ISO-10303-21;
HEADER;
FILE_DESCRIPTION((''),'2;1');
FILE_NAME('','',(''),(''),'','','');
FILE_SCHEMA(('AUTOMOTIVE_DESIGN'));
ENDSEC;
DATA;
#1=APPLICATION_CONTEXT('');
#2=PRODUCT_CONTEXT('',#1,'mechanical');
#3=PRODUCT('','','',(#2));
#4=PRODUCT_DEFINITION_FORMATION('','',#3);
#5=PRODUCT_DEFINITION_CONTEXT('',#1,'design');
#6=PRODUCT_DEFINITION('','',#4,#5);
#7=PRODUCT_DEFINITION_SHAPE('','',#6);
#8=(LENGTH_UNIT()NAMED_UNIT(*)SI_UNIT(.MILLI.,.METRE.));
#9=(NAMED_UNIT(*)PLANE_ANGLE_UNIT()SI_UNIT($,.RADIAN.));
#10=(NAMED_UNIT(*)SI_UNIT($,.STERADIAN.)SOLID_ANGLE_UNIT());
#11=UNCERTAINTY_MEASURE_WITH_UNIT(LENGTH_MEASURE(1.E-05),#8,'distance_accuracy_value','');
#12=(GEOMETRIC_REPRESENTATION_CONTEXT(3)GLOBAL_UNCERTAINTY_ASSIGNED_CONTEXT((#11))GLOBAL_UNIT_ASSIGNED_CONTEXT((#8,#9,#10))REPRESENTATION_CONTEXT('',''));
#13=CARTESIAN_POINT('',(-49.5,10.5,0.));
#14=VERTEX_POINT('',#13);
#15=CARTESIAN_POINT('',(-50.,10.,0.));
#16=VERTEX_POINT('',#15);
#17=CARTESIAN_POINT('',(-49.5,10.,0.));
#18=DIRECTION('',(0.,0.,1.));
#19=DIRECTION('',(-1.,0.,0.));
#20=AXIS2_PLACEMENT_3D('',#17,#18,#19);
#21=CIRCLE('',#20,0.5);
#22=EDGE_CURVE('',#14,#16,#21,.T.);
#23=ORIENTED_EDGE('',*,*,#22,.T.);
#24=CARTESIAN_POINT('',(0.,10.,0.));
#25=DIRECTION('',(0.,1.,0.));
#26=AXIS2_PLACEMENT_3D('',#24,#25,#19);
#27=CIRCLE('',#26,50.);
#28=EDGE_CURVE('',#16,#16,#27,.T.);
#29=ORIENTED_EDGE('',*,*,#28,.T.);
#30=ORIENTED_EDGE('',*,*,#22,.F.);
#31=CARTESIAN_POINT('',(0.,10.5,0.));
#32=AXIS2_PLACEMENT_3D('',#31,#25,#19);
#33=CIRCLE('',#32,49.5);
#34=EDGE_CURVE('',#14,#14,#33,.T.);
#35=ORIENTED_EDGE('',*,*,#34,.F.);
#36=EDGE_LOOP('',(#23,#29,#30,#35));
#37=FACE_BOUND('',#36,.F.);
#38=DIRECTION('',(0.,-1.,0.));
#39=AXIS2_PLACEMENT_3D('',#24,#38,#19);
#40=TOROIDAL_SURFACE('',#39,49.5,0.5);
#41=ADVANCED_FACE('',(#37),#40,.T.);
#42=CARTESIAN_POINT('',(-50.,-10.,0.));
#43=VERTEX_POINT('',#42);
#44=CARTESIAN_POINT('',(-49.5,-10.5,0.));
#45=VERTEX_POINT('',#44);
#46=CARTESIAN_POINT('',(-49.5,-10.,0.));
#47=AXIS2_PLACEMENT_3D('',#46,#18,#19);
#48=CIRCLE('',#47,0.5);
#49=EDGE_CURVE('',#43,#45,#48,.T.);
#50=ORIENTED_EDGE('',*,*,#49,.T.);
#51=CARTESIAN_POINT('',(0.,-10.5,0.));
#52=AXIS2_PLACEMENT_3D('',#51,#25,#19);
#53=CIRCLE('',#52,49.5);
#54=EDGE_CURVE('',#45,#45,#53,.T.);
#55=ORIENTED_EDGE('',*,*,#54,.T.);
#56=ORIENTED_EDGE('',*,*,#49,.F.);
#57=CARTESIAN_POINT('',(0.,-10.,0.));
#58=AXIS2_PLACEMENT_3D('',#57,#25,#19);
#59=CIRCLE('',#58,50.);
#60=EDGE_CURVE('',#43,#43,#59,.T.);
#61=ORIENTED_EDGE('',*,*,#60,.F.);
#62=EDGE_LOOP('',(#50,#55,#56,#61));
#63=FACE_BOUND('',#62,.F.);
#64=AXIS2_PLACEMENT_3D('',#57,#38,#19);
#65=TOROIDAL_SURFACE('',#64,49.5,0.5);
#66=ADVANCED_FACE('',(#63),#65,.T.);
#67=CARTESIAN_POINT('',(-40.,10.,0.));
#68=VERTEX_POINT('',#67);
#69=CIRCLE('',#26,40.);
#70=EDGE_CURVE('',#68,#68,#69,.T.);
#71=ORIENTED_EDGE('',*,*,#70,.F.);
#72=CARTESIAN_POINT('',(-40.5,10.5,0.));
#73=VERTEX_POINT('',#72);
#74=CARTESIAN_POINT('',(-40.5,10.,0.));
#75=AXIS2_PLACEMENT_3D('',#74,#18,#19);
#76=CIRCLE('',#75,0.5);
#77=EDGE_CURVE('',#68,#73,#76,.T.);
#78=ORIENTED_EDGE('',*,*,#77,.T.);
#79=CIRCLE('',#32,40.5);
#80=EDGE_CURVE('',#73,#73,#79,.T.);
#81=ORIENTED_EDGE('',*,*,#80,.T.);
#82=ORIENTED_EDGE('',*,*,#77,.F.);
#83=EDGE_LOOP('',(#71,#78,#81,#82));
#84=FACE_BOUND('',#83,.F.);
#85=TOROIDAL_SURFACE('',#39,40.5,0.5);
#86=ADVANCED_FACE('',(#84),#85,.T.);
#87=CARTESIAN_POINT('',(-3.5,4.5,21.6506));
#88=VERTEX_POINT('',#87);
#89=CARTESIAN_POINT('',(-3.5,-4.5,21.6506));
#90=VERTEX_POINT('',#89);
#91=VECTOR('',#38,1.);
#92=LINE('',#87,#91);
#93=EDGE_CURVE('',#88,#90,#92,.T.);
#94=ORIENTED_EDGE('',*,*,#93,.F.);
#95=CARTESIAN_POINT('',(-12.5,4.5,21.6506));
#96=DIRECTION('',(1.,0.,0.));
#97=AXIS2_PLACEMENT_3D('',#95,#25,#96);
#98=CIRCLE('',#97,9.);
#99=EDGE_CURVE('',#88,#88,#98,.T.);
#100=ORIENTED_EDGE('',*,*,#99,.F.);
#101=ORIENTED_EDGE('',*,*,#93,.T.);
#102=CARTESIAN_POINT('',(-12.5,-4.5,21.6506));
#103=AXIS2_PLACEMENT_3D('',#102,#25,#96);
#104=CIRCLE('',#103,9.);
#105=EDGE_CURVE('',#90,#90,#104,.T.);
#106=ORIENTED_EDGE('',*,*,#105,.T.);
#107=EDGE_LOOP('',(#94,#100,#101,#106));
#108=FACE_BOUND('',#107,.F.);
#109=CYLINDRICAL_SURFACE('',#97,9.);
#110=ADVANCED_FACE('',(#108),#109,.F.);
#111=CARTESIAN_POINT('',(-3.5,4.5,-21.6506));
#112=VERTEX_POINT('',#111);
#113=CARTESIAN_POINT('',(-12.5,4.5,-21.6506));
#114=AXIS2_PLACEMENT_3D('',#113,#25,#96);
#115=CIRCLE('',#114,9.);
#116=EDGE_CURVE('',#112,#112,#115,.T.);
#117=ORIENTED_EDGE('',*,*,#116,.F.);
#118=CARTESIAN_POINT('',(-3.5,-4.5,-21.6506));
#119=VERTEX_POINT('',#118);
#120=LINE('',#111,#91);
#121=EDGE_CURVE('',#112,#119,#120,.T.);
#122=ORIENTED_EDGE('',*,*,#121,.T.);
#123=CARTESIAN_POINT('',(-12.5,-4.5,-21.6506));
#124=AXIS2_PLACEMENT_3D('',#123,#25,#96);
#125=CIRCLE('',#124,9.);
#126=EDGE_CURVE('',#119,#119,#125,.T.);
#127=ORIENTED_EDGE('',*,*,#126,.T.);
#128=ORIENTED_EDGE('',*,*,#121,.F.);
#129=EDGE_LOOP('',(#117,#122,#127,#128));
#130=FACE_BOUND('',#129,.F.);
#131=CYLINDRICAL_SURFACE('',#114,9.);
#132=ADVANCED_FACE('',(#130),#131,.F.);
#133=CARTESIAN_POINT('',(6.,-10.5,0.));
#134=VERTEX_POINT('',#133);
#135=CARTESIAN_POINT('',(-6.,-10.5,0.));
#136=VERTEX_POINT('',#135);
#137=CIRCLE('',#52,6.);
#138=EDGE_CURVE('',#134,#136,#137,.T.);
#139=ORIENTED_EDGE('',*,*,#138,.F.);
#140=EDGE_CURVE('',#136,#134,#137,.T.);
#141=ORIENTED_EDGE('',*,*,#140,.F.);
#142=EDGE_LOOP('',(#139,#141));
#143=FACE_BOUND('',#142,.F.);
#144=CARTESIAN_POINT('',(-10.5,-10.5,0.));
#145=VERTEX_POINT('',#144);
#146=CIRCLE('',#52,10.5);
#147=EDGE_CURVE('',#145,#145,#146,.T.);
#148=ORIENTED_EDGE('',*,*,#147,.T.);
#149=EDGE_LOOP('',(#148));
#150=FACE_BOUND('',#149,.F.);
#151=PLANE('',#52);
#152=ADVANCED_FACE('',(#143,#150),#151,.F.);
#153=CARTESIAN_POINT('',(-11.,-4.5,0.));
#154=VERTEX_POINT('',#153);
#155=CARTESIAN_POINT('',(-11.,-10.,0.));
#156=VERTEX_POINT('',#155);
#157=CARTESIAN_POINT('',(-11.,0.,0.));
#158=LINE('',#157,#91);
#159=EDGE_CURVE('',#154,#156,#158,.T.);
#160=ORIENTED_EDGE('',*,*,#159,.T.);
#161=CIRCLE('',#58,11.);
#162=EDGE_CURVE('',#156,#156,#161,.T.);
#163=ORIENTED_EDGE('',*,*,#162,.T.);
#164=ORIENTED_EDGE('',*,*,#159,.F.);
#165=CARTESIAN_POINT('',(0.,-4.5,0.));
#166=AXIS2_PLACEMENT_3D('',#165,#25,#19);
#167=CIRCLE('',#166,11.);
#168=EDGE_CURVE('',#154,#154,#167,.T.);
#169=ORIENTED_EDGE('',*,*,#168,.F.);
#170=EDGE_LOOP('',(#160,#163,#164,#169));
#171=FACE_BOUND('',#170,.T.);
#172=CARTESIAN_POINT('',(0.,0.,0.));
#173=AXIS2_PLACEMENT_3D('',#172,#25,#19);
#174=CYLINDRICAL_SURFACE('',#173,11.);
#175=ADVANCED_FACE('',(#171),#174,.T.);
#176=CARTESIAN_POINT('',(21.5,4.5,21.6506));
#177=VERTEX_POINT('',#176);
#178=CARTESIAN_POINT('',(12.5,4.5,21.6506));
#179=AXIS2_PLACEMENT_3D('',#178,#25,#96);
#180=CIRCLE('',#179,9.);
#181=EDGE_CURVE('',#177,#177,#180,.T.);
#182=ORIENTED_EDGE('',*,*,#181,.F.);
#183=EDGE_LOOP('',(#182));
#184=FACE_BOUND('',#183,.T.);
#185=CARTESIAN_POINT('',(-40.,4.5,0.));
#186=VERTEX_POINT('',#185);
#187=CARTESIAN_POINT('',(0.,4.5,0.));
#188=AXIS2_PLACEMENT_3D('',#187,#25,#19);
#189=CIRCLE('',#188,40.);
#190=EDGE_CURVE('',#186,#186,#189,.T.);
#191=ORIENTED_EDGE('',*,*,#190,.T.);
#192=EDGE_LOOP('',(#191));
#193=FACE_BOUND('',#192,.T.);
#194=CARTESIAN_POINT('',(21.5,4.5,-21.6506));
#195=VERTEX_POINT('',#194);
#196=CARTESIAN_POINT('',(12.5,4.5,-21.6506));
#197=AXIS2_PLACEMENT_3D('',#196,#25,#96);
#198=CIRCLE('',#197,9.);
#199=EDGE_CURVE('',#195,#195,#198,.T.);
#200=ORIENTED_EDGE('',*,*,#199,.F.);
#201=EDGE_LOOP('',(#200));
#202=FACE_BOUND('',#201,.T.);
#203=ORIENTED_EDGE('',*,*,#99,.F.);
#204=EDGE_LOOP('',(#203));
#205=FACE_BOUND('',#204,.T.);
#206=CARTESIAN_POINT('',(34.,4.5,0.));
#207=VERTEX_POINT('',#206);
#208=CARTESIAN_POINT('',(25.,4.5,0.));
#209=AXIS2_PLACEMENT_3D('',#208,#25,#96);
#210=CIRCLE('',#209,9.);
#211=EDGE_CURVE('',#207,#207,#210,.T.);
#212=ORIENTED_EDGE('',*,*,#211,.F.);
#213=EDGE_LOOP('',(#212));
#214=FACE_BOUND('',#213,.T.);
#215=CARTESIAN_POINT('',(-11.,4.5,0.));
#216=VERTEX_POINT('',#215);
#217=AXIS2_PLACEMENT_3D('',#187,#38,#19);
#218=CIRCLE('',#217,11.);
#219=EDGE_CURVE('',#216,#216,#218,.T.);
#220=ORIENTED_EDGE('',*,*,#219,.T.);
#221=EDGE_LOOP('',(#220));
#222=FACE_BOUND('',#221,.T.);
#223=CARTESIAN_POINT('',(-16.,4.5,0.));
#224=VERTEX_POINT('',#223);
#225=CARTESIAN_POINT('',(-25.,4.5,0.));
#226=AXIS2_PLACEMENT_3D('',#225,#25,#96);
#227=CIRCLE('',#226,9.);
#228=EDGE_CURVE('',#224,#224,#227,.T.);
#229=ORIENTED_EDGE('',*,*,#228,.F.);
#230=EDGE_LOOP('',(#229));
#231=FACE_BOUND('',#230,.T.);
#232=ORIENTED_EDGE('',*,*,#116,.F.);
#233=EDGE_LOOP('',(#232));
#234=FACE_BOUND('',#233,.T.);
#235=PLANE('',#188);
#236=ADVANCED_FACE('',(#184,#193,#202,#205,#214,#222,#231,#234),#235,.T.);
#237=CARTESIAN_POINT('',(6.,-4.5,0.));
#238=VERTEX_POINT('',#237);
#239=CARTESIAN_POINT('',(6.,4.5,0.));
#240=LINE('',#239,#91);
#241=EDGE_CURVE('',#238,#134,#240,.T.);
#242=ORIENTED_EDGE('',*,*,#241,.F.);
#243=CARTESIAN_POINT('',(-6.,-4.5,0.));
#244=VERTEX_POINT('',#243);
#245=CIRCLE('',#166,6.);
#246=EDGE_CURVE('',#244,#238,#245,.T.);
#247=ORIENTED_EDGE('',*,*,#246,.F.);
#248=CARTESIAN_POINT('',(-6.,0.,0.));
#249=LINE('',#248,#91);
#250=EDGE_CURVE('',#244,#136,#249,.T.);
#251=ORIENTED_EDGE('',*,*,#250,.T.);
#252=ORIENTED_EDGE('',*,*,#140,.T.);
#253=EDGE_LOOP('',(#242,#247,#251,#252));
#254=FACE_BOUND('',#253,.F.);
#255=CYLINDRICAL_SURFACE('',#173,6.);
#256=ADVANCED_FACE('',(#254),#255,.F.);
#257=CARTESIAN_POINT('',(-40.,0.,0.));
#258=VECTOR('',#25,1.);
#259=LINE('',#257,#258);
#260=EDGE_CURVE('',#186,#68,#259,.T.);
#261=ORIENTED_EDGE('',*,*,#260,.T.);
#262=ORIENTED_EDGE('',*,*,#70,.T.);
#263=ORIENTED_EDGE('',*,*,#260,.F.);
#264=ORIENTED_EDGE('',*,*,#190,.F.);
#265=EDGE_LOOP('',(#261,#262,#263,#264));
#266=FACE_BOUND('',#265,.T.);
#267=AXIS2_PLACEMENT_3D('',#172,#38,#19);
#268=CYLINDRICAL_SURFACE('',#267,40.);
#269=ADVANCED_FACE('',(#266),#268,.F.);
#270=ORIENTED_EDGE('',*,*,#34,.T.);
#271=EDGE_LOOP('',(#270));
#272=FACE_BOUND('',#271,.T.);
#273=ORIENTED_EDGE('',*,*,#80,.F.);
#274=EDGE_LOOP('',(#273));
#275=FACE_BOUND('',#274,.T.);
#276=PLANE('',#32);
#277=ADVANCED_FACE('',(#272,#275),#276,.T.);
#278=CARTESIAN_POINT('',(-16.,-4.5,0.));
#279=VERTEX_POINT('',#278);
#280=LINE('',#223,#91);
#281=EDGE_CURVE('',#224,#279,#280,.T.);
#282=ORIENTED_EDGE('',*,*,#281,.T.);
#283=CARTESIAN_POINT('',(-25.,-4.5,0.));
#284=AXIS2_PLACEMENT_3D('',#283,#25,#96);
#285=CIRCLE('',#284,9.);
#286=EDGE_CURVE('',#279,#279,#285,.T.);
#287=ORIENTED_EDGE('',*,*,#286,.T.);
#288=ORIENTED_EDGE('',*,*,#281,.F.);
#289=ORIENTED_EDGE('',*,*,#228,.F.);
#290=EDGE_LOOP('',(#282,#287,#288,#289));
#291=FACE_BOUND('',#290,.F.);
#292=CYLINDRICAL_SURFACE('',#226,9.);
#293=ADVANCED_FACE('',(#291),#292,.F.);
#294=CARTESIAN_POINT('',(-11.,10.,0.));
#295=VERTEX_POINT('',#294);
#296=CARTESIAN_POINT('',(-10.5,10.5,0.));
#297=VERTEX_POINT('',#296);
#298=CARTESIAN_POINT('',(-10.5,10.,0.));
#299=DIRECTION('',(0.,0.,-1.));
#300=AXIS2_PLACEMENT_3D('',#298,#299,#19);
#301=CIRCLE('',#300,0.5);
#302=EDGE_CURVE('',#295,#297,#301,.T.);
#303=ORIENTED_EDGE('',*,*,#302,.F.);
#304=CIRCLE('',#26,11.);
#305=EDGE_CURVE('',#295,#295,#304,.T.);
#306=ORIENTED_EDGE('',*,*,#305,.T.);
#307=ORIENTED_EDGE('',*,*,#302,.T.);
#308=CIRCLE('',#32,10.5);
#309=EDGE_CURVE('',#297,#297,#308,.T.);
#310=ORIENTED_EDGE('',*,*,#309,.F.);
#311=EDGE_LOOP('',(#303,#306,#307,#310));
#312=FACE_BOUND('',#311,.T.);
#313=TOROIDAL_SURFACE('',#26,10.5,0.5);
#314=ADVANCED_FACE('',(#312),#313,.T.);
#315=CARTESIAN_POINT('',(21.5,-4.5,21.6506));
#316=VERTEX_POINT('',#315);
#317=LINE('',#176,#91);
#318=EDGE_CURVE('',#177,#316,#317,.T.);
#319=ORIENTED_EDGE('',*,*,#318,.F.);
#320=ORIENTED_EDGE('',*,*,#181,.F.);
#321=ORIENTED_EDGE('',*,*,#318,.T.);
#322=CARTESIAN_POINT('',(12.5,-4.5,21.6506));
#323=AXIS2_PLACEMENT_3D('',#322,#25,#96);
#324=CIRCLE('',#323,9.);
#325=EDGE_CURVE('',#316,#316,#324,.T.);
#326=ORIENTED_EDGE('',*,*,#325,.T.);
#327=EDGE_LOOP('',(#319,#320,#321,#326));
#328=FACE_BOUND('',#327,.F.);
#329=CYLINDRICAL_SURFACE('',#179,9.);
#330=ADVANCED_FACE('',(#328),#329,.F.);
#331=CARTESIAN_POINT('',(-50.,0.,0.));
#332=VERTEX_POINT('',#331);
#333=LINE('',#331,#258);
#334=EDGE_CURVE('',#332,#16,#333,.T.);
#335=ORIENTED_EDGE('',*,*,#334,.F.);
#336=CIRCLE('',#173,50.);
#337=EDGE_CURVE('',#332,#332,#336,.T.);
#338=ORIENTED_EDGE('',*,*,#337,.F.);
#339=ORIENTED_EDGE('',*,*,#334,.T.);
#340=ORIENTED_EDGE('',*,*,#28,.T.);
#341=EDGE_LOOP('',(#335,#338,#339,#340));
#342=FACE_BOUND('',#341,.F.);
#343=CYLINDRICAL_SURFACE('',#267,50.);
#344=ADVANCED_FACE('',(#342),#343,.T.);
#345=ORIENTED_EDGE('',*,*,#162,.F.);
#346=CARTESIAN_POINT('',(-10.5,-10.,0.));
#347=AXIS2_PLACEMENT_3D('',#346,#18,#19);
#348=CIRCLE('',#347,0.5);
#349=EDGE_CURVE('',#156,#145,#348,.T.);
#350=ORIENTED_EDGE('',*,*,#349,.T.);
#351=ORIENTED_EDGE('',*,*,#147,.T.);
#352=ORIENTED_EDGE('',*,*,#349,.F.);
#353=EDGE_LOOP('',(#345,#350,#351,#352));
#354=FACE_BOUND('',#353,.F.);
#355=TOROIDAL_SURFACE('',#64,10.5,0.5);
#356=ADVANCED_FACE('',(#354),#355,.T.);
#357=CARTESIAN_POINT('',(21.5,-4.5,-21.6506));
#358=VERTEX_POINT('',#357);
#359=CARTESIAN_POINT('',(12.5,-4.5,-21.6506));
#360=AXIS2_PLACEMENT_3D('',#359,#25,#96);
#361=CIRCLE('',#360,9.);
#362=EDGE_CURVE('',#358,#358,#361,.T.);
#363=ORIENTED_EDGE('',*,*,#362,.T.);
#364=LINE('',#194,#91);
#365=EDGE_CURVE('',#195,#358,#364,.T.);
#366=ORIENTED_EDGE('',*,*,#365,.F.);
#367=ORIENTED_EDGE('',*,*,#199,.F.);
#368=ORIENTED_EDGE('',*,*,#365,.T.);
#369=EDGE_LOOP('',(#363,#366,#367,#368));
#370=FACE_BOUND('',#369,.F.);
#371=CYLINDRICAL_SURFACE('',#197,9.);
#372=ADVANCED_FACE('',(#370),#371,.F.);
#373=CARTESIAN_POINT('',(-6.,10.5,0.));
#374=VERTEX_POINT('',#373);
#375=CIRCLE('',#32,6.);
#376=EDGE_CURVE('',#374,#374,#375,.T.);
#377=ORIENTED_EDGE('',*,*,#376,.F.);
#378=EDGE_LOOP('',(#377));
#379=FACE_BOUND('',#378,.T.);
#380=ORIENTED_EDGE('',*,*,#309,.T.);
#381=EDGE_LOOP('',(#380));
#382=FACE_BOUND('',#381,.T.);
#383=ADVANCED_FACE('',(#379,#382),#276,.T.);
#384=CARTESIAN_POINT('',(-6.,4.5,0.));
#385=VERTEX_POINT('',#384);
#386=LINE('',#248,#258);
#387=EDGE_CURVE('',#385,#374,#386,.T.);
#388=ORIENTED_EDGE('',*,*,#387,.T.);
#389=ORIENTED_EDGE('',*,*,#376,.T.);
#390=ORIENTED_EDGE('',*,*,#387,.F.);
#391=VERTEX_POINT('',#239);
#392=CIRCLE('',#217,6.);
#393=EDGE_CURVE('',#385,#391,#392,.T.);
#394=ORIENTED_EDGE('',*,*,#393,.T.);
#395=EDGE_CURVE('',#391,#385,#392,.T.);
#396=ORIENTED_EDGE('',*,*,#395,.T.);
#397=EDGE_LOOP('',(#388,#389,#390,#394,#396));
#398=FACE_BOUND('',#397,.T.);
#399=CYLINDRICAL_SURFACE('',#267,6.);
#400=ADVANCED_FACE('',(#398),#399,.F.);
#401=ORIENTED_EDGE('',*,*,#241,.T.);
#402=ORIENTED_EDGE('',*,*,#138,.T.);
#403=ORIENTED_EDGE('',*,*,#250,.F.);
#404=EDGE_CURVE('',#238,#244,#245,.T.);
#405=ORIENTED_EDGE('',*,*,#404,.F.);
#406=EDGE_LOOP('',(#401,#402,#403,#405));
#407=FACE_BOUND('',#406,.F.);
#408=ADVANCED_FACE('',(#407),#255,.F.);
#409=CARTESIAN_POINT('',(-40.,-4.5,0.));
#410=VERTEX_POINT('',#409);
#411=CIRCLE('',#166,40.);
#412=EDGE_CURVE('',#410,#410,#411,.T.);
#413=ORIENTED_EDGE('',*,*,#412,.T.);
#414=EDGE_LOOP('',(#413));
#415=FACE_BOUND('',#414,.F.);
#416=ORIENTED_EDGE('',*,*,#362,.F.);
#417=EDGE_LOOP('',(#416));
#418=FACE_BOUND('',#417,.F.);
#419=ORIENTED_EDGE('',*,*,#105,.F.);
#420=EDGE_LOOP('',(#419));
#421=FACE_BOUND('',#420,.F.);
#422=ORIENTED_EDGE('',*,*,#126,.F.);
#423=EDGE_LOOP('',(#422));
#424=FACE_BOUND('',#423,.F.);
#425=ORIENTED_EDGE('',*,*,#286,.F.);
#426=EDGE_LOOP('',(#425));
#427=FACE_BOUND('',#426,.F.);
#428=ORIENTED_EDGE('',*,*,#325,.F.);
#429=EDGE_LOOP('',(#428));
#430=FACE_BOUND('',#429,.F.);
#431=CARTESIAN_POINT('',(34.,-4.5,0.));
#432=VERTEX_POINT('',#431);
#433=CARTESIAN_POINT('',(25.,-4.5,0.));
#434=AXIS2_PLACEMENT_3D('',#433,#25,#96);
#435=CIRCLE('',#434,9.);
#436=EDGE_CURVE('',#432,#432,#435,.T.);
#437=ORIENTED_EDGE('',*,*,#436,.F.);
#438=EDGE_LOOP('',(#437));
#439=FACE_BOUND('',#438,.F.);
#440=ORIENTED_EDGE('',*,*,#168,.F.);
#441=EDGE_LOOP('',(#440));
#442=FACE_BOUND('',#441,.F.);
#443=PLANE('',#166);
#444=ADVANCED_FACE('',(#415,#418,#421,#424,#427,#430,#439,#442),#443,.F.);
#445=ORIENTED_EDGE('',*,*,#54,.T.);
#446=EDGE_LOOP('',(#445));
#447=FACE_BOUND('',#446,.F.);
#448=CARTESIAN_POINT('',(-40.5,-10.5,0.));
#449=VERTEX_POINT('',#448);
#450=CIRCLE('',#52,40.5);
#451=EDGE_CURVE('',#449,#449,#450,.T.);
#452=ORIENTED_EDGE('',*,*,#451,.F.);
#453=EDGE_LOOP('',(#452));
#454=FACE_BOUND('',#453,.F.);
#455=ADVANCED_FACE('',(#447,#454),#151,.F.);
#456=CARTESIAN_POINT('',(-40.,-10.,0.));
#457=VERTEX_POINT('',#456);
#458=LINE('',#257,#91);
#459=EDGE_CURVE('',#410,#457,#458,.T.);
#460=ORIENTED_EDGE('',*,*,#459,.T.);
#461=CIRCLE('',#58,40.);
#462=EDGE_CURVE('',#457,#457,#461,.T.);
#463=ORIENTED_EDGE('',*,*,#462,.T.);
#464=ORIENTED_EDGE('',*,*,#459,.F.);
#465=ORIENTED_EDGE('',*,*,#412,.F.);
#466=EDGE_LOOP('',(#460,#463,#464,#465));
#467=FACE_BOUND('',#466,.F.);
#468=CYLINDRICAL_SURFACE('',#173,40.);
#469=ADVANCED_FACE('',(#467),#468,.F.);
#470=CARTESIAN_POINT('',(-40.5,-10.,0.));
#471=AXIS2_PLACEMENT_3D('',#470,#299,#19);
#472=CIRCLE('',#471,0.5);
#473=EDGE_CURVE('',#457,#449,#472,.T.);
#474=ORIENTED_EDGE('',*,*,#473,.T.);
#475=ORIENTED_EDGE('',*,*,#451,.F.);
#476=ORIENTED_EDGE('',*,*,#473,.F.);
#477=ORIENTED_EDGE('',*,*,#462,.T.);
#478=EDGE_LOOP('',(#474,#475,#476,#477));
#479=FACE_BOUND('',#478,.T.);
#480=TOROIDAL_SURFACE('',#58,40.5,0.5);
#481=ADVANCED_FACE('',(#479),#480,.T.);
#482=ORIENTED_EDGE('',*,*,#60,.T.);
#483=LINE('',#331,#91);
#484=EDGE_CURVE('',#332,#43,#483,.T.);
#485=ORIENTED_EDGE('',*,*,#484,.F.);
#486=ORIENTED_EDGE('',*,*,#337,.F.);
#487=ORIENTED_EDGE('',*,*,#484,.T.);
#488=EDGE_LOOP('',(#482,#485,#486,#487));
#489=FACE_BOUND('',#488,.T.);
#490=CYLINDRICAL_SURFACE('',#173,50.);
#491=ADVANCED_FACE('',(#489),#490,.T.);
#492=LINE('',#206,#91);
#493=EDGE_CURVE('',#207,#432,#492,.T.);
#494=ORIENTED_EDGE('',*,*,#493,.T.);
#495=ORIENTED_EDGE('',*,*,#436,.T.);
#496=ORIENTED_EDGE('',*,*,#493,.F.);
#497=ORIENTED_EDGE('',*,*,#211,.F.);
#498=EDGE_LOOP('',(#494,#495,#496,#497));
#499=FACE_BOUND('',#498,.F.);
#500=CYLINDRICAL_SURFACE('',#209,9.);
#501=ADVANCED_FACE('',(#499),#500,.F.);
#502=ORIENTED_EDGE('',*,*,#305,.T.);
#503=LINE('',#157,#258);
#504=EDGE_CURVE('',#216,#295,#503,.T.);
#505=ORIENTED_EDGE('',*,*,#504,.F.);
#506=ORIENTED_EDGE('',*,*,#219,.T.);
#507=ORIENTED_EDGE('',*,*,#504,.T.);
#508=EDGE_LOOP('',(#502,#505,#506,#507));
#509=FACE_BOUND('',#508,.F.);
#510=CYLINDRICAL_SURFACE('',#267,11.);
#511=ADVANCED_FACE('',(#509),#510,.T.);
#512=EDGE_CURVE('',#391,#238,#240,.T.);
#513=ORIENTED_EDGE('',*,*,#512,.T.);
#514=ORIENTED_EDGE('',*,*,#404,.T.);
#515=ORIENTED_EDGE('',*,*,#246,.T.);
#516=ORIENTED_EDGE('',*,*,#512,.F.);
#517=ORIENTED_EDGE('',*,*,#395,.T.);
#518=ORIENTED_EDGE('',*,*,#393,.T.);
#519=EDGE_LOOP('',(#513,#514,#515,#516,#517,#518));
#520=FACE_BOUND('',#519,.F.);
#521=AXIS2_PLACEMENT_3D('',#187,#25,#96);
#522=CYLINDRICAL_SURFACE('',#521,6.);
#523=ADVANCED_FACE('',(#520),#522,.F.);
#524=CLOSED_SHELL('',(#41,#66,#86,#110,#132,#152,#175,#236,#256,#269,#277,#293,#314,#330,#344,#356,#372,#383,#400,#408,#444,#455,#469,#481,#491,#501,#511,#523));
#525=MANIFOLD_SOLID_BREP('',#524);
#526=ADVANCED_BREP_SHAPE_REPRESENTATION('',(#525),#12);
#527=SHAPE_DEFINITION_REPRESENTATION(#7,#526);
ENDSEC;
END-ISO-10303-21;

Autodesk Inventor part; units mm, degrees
ref_plane "YZ Plane" through (0, 0, 0) normal (1, 0, 0) x (0, 1, 0)
ref_plane "XZ Plane" through (0, 0, 0) normal (0, 1, 0) x (-1, 0, 0)
ref_plane "XY Plane" through (0, 0, 0) normal (0, 0, 1) x (1, 0, 0)
sketch "Sketch1" plane through (0, 0, 0) normal (0, 1, 0) x (-1, 0, 0)
  circle A0 centre (0, 0) radius 40
  dimension "d0" = 80
extrude "Extrusion1" add sketch "Sketch1" along normal mid plane 9
sketch "Sketch2" plane through (0, 4.5, 0) normal (0, 1, 0) x (1, 0, 0)
  line L0 (0, 0) -> (-25, 0) construction
  circle A0 centre (-25, 0) radius 9
  line L1 (0, -29.2747) -> (0, 26.9914) construction
  line L2 (0, 0) -> (29.6008, 0) construction
  circle A1 centre (25, 0) radius 9
  circle A2 centre (-12.5, -21.6506) radius 9
  circle A3 centre (12.5, -21.6506) radius 9
  circle A4 centre (25, 0) radius 9
  circle A5 centre (12.5, 21.6506) radius 9
  circle A6 centre (-12.5, 21.6506) radius 9
  dimension "d3" = 25
  dimension "d4" = 18
  dimension "d7" = 360
extrude "Extrusion2" cut sketch "Sketch2" against normal through all
sketch "Sketch3" plane through (0, 0, 0) normal (0, 1, 0) x (-1, 0, 0)
  circle A0 centre (0, 0) radius 11
  circle A1 centre (0, 0) radius 6
extrude "Extrusion3" add sketch "Sketch3" along normal mid plane 21
sketch "Sketch4" plane through (0, 4.5, 0) normal (0, 1, 0) x (1, 0, 0)
  circle A0 centre (0, 0) radius 6
extrude "Extrusion4" cut sketch "Sketch4" against normal through all
sketch "Sketch5" plane through (0, 4.5, 0) normal (0, 1, 0) x (1, 0, 0)
  point P0 (0, 0)
sketch "Sketch6" plane through (0, 0, 0) normal (0, 1, 0) x (-1, 0, 0)
  circle A0 centre (0, 0) radius 40
  circle A1 centre (0, 0) radius 50
  dimension "d17" = 100
extrude "Extrusion5" add sketch "Sketch6" along normal mid plane 21
fillet "Fillet1" radius 0.5 6 edges at (40, 10.5, 0) (50, 10.5, 0) (40, -10.5, 0) (50, -10.5, 0) (11, 10.5, 0) (11, -10.5, 0)
properties part number "Volano"
